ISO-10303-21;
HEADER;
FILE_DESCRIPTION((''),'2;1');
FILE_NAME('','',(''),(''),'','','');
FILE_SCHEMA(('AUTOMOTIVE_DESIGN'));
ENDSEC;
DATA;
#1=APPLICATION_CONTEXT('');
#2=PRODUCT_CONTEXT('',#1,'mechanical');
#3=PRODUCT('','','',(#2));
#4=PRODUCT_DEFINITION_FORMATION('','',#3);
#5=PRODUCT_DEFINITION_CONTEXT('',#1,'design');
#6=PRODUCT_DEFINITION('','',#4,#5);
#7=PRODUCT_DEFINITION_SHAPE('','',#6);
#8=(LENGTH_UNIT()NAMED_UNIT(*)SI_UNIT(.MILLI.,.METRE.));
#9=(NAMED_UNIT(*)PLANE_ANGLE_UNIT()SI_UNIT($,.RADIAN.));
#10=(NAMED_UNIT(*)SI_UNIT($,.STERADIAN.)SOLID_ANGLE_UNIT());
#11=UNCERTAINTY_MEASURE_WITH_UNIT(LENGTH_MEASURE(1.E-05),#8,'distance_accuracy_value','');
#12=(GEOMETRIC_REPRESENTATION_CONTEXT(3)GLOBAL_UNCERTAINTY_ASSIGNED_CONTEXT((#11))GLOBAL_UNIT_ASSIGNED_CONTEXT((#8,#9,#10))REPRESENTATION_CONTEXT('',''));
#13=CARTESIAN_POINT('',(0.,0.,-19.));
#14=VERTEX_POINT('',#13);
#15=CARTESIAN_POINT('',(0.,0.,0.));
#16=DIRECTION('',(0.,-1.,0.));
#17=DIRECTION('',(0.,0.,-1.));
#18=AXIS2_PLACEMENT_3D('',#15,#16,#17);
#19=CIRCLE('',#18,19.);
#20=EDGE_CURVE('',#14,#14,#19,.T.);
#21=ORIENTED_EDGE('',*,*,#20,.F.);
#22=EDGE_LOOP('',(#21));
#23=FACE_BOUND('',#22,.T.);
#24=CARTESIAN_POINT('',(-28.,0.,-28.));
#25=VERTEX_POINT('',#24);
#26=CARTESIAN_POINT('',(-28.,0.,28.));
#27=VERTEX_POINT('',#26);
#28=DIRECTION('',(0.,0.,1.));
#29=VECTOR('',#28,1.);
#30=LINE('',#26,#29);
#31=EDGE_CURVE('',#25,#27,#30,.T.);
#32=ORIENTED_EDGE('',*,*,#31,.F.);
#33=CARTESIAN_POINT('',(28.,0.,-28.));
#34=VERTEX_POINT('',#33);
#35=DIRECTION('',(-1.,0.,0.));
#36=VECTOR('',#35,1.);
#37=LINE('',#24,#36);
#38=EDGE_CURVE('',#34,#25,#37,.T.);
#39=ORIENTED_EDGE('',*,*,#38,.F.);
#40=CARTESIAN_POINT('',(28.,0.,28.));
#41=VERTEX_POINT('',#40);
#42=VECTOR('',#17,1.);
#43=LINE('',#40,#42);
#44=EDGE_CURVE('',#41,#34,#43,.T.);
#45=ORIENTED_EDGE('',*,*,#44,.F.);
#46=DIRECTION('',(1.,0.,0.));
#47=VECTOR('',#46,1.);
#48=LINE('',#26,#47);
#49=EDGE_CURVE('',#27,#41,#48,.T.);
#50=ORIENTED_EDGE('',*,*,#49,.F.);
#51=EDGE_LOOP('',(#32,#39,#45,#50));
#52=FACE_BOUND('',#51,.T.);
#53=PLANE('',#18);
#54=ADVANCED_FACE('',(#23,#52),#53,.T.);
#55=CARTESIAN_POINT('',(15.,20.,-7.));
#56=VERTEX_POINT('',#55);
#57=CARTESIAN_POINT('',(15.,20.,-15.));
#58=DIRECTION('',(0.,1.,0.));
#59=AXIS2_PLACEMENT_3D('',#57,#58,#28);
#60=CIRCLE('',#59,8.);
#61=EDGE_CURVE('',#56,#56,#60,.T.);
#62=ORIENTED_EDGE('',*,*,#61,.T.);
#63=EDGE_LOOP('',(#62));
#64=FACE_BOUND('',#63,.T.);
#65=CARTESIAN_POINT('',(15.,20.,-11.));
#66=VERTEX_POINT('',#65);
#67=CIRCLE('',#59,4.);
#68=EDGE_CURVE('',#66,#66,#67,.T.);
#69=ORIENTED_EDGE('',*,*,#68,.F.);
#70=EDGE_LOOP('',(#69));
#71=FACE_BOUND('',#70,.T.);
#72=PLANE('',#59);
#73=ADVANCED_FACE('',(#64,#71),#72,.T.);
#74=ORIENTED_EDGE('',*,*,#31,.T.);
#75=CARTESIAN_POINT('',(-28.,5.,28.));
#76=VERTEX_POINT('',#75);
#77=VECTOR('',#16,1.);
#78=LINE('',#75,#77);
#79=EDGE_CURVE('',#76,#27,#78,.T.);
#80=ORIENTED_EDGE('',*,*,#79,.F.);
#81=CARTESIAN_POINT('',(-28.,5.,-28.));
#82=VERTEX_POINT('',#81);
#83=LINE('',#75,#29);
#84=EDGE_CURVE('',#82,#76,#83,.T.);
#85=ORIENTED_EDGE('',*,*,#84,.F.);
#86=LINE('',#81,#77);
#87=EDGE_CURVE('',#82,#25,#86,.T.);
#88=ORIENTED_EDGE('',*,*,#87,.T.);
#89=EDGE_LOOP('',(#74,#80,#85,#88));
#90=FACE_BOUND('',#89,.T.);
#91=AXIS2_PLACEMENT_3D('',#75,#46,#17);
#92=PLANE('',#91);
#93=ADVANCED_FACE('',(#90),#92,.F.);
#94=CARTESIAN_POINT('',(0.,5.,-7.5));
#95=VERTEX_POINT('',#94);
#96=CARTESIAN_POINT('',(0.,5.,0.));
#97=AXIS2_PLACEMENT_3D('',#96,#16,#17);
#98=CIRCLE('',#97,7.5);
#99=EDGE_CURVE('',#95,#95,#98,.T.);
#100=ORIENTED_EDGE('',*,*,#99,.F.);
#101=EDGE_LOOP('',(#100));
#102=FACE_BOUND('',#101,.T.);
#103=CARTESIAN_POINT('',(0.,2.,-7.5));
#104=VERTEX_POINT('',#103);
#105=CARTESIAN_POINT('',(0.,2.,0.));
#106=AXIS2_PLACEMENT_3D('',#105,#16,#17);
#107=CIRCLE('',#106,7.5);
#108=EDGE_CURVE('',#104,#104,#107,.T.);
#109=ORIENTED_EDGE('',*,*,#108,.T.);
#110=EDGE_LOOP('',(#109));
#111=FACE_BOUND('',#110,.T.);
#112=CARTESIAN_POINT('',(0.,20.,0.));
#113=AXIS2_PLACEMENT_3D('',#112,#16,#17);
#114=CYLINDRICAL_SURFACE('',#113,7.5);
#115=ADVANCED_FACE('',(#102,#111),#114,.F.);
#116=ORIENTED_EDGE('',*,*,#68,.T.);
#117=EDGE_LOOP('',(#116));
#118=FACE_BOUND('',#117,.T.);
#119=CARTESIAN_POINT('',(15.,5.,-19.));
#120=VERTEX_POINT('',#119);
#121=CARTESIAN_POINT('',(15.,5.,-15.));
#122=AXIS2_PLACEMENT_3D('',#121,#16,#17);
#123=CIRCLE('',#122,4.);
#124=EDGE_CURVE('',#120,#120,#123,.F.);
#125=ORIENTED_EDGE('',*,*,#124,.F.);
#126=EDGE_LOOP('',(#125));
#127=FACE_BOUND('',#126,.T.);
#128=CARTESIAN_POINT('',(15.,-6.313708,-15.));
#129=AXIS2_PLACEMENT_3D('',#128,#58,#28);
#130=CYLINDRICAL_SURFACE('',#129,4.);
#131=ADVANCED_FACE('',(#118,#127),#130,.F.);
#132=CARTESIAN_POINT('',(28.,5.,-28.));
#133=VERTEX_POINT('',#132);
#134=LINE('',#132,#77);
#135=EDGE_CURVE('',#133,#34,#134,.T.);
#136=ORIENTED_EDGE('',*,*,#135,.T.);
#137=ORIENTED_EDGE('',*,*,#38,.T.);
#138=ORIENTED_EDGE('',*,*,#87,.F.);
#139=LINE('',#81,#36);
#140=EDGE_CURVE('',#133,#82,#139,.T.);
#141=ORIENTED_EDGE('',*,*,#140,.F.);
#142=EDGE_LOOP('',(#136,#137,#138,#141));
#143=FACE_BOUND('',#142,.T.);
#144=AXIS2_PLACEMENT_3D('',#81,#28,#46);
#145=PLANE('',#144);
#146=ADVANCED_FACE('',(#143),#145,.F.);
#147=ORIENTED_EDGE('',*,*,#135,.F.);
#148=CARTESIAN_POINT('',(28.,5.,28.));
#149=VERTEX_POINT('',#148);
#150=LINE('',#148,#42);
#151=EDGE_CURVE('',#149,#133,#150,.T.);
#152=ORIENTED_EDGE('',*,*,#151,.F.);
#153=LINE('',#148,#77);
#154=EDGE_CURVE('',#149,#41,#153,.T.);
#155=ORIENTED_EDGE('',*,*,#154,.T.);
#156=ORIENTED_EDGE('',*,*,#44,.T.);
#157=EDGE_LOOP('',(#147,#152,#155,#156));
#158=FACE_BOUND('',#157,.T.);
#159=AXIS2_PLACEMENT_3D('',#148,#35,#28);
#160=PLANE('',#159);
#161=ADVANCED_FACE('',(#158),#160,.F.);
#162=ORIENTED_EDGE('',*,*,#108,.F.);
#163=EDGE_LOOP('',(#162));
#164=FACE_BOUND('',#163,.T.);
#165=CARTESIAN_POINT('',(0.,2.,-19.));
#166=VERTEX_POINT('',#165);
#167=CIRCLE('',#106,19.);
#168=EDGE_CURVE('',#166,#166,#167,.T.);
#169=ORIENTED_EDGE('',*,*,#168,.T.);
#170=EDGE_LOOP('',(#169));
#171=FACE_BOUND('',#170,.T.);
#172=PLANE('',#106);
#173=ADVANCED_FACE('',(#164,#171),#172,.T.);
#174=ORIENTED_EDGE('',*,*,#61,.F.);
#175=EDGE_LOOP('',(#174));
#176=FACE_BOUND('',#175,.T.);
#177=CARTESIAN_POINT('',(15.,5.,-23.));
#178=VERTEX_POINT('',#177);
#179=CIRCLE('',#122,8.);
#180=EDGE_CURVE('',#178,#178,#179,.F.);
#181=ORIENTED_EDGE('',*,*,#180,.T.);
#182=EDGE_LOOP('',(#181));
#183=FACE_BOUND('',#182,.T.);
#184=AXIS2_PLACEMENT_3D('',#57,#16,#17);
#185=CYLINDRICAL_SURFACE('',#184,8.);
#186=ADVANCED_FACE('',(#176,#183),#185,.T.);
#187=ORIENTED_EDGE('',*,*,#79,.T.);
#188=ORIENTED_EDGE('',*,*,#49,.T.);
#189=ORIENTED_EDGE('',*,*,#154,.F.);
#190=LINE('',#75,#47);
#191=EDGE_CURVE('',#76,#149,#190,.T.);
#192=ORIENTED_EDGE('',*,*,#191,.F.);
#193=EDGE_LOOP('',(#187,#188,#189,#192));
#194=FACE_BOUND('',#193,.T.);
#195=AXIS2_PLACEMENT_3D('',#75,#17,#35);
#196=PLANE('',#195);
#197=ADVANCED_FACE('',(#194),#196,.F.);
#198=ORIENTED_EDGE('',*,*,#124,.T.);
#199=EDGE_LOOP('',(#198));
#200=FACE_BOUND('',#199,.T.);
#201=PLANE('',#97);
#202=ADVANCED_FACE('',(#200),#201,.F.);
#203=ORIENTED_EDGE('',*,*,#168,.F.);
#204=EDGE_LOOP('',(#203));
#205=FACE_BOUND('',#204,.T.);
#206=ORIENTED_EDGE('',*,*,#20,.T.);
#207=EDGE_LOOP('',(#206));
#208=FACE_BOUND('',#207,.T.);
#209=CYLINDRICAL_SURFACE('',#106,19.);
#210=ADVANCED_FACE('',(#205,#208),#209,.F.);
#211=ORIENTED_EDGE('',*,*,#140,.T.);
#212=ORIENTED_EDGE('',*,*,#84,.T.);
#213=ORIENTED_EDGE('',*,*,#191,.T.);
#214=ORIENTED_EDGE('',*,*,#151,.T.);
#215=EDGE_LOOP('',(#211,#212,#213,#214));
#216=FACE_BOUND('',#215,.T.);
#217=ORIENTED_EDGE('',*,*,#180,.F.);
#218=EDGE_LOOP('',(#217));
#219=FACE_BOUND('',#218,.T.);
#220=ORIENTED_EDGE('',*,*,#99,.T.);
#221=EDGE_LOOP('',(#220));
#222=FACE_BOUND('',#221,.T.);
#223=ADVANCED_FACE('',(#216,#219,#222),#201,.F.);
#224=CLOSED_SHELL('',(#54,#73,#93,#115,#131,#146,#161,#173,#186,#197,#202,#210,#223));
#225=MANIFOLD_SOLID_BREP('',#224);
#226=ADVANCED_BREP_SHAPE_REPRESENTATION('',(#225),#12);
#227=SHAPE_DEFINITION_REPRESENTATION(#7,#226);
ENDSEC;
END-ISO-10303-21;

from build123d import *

# Parameters (mm, degrees)
SKETCH1_W               = 56
SKETCH1_H               = 56
BOSS_EXTRUDE1_DEPTH     = 5
SKETCH2_R               = 8
BOSS_EXTRUDE2_DEPTH     = 15
SKETCH4_R               = 19
CUT_EXTRUDE2_DEPTH      = 2
CUT_EXTRUDE3_DEPTH      = 44.497126342
CUT_EXTRUDE3_DEPTH_BACK = 44.497126342
SKETCH5_R               = 7.5
SKETCH6_R               = 4
CUT_EXTRUDE4_DEPTH      = 15


with BuildPart() as part:
    # Sketch1 → Boss-Extrude1 (new body)
    with BuildSketch(Plane(origin=(0, 0, 0), x_dir=(1, 0, 0), z_dir=(0, 1, 0))):
        Rectangle(SKETCH1_W, SKETCH1_H)
    extrude(amount=BOSS_EXTRUDE1_DEPTH)

    # Sketch2 → Boss-Extrude2 (add)
    with BuildSketch(Plane(origin=(0, 5, 0), x_dir=(1, 0, 0), z_dir=(0, 1, 0))):
        with Locations(Location((15, 15, 0), (0, 0, 90))):
            Circle(SKETCH2_R)
    extrude(amount=BOSS_EXTRUDE2_DEPTH)

    # Sketch4 → Cut-Extrude2 (cut)
    with BuildSketch(Plane.XZ):
        with Locations(Location((0, 0, 0), (0, 0, 270))):
            Circle(SKETCH4_R)
    extrude(amount=-CUT_EXTRUDE2_DEPTH, mode=Mode.SUBTRACT)

    # Sketch5 → Cut-Extrude3 (cut, two sides: drawn at the far end of the back side and taken through both)
    with BuildSketch(Plane.XZ.offset(-2).offset(-CUT_EXTRUDE3_DEPTH_BACK)):
        with Locations(Location((0, 0, 0), (0, 0, 270))):
            Circle(SKETCH5_R)
    extrude(amount=CUT_EXTRUDE3_DEPTH + CUT_EXTRUDE3_DEPTH_BACK, mode=Mode.SUBTRACT)

    # Sketch6 → Cut-Extrude4 (cut)
    with BuildSketch(Plane(origin=(0, 20, 0), x_dir=(1, 0, 0), z_dir=(0, 1, 0))):
        with Locations(Location((15, 15, 0), (0, 0, 270))):
            Circle(SKETCH6_R)
    extrude(amount=-CUT_EXTRUDE4_DEPTH, mode=Mode.SUBTRACT)


solid = part.part
